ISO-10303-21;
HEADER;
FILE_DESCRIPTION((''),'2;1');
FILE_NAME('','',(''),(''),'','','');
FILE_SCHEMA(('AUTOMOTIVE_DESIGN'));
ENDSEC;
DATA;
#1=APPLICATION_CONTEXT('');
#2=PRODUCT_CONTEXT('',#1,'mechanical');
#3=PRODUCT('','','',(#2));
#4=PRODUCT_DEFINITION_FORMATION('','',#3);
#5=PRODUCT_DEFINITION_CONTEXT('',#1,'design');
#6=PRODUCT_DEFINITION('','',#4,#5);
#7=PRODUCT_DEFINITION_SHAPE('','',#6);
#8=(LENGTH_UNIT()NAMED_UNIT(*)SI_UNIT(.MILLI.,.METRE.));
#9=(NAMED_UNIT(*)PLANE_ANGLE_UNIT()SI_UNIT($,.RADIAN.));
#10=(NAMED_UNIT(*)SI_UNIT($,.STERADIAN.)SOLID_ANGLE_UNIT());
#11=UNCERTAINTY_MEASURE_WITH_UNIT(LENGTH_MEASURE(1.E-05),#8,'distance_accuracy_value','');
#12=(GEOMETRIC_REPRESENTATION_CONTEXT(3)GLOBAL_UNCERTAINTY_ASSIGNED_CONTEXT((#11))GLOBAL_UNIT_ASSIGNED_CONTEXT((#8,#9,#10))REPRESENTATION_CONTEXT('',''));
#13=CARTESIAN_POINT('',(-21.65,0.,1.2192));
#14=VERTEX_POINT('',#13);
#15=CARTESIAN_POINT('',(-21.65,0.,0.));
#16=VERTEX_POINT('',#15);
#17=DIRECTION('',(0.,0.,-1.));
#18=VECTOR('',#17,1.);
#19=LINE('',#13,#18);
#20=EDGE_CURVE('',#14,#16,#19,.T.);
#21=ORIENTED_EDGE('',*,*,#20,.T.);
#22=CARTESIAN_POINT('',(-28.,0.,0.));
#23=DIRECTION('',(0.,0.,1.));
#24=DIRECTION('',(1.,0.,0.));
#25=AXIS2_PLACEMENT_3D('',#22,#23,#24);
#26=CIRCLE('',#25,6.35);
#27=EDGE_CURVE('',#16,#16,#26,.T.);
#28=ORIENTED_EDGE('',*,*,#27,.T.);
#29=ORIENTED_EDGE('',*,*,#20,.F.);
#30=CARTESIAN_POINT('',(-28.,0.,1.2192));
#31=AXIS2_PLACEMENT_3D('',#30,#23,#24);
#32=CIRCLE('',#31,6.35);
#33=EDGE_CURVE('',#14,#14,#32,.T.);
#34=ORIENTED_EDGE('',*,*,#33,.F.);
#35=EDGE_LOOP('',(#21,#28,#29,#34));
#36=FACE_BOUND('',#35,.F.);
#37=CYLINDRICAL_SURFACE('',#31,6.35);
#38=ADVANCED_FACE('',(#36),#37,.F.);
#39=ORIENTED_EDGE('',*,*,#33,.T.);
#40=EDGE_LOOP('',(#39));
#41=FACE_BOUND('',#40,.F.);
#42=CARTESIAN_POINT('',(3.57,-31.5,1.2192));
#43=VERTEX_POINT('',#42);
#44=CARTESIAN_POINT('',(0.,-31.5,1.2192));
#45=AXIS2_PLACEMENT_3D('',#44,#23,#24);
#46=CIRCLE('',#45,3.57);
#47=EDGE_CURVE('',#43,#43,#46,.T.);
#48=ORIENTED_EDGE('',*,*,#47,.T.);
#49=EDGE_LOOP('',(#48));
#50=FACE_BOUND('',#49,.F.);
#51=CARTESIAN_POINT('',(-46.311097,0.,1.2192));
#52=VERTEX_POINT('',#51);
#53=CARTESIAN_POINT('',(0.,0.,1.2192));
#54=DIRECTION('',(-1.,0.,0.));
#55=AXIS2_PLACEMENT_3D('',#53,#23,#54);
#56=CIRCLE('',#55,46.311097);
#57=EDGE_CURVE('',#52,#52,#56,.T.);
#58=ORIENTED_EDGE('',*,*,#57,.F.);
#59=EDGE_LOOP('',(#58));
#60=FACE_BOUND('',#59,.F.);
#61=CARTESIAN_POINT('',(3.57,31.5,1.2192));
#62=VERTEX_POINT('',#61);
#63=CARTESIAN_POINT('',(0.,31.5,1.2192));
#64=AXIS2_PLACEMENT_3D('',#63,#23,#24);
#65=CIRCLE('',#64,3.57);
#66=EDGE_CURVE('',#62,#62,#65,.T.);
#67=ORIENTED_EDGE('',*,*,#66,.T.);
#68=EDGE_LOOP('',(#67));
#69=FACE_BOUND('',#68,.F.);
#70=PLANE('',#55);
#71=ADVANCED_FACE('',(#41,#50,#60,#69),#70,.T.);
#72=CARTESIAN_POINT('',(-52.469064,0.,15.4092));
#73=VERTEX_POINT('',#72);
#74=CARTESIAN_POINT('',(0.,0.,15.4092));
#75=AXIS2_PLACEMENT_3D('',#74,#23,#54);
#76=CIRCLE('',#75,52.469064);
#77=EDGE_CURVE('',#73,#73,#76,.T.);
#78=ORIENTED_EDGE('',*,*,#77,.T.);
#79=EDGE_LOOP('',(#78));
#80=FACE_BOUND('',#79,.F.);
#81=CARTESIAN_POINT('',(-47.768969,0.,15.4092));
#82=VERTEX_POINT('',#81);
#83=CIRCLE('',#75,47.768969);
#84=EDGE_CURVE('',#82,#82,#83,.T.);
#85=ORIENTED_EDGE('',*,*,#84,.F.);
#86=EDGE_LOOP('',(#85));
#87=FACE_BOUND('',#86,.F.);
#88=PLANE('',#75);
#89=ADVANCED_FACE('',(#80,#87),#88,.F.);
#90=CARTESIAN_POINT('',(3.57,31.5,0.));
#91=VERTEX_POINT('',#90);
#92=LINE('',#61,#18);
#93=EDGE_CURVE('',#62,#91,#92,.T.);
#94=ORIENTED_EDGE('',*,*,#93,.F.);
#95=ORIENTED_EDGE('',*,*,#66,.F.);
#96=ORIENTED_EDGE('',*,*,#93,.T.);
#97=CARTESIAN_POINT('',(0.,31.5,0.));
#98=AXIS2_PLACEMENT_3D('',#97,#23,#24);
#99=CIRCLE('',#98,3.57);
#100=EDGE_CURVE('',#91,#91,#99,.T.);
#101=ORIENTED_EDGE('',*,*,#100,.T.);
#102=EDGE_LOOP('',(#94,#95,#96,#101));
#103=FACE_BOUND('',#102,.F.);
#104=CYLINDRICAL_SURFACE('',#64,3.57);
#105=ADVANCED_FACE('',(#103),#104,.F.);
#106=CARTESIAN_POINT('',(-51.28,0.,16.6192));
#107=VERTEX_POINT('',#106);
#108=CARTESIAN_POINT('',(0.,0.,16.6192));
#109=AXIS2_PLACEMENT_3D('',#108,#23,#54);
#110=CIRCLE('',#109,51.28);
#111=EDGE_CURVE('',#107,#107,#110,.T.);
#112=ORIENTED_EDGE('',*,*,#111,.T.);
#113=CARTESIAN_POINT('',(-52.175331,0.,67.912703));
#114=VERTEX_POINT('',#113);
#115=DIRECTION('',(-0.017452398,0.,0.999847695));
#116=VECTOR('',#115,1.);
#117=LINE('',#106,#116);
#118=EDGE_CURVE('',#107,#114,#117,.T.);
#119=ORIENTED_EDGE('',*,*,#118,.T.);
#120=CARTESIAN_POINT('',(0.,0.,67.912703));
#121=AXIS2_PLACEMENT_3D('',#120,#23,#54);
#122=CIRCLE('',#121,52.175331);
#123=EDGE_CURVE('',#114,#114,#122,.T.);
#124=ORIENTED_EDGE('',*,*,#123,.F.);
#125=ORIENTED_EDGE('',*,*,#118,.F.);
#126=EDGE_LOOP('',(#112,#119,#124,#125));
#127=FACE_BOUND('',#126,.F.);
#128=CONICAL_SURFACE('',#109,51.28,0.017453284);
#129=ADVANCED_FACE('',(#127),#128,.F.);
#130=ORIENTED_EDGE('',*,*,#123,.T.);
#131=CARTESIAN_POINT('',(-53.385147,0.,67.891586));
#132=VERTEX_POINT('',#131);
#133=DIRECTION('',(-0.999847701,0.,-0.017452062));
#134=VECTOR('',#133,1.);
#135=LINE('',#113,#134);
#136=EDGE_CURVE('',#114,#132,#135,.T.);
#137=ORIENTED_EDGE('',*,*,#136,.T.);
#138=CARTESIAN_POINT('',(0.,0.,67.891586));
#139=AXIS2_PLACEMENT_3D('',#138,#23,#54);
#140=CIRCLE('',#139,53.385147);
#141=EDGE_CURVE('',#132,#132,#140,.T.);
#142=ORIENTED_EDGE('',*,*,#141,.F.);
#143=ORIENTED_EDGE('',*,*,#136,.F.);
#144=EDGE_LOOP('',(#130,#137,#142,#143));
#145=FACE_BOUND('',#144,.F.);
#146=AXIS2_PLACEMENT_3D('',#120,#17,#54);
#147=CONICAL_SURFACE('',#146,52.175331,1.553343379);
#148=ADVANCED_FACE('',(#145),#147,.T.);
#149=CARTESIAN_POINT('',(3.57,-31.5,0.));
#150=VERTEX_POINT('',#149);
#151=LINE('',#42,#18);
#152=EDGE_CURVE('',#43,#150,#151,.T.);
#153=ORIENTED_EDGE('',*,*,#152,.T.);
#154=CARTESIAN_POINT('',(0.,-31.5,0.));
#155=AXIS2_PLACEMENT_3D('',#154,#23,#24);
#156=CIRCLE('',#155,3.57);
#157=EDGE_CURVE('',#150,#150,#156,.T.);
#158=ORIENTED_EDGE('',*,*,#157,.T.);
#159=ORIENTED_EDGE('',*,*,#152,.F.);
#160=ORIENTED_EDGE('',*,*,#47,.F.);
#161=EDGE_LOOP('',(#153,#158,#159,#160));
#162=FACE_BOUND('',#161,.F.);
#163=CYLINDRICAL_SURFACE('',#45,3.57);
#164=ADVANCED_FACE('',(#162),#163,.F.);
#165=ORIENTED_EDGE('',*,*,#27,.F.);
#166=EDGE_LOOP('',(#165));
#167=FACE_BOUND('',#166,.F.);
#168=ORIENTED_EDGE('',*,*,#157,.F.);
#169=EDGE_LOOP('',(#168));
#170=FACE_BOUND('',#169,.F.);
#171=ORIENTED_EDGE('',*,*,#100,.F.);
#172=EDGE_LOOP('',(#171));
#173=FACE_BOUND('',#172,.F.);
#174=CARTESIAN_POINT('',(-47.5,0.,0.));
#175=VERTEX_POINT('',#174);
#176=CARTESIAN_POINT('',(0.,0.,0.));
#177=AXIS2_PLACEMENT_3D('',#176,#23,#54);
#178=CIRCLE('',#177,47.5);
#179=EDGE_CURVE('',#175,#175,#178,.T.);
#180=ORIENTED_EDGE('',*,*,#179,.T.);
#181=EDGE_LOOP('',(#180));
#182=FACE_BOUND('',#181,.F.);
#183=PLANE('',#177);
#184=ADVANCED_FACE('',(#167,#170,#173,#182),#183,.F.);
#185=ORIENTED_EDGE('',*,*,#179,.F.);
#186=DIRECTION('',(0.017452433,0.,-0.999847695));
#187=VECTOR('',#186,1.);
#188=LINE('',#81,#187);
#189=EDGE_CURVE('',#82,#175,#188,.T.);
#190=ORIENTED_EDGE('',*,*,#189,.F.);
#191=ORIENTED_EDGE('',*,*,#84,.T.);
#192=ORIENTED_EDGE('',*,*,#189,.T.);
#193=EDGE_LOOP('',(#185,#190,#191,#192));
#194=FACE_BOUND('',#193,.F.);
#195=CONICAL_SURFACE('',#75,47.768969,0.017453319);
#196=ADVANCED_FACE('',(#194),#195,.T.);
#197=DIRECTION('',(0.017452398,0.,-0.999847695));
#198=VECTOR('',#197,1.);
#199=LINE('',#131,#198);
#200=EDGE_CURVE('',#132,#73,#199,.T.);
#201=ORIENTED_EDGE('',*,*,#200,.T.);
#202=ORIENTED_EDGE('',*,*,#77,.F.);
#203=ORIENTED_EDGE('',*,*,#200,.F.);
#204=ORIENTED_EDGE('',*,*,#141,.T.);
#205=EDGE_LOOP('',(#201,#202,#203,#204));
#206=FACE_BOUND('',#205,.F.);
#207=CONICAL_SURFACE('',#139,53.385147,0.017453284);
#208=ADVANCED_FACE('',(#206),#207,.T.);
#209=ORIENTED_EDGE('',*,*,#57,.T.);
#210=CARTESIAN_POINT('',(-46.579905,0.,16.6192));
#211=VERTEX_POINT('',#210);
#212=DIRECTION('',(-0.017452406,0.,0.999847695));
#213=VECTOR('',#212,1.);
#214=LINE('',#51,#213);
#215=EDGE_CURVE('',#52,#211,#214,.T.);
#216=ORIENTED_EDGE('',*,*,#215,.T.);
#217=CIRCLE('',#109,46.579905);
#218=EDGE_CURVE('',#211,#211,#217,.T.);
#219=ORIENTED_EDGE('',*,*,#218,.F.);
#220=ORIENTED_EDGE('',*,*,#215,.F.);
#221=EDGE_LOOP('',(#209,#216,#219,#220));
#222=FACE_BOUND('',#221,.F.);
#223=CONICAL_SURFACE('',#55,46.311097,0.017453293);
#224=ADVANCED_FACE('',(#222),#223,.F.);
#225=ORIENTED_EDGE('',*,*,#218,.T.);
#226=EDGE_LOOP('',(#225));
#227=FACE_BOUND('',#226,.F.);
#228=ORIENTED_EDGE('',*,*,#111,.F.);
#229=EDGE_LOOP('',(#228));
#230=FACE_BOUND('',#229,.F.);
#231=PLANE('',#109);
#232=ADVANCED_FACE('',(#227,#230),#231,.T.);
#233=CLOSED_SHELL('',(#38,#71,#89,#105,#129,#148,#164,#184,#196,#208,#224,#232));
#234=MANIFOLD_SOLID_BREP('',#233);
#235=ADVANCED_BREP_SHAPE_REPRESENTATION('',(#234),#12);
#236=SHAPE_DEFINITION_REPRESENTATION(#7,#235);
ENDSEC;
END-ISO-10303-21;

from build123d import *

# Parameters (mm, degrees)
F2_R     = 3.57
F2_R_2   = 6.35
F3_DEPTH = 1.2192


with BuildPart() as f1:
    # F0 (on Front) → F1 (revolve)
    with BuildSketch(Plane.XZ):
        Polygon((0, 0), (0, 1.2192), (-46.311097, 1.2192), (-46.579905, 16.6192), (-51.28, 16.6192), (-52.175331, 67.912703), (-53.385147, 67.891586), (-52.469064, 15.4092), (-47.768969, 15.4092), (-47.5, 0), align=None)
    revolve(axis=Axis((0, 0, 20.760898), (0, 0, 1)))

    # F2 (on face) → F3 (cut, through all)
    with BuildSketch(Plane.XY.offset(1.2192)):
        with Locations((0, 31.5)):
            Circle(F2_R)
        with Locations((0, -31.5)):
            Circle(F2_R)
        with Locations((-28, 0)):
            Circle(F2_R_2)
    extrude(amount=-F3_DEPTH, mode=Mode.SUBTRACT)


solid = f1.part
